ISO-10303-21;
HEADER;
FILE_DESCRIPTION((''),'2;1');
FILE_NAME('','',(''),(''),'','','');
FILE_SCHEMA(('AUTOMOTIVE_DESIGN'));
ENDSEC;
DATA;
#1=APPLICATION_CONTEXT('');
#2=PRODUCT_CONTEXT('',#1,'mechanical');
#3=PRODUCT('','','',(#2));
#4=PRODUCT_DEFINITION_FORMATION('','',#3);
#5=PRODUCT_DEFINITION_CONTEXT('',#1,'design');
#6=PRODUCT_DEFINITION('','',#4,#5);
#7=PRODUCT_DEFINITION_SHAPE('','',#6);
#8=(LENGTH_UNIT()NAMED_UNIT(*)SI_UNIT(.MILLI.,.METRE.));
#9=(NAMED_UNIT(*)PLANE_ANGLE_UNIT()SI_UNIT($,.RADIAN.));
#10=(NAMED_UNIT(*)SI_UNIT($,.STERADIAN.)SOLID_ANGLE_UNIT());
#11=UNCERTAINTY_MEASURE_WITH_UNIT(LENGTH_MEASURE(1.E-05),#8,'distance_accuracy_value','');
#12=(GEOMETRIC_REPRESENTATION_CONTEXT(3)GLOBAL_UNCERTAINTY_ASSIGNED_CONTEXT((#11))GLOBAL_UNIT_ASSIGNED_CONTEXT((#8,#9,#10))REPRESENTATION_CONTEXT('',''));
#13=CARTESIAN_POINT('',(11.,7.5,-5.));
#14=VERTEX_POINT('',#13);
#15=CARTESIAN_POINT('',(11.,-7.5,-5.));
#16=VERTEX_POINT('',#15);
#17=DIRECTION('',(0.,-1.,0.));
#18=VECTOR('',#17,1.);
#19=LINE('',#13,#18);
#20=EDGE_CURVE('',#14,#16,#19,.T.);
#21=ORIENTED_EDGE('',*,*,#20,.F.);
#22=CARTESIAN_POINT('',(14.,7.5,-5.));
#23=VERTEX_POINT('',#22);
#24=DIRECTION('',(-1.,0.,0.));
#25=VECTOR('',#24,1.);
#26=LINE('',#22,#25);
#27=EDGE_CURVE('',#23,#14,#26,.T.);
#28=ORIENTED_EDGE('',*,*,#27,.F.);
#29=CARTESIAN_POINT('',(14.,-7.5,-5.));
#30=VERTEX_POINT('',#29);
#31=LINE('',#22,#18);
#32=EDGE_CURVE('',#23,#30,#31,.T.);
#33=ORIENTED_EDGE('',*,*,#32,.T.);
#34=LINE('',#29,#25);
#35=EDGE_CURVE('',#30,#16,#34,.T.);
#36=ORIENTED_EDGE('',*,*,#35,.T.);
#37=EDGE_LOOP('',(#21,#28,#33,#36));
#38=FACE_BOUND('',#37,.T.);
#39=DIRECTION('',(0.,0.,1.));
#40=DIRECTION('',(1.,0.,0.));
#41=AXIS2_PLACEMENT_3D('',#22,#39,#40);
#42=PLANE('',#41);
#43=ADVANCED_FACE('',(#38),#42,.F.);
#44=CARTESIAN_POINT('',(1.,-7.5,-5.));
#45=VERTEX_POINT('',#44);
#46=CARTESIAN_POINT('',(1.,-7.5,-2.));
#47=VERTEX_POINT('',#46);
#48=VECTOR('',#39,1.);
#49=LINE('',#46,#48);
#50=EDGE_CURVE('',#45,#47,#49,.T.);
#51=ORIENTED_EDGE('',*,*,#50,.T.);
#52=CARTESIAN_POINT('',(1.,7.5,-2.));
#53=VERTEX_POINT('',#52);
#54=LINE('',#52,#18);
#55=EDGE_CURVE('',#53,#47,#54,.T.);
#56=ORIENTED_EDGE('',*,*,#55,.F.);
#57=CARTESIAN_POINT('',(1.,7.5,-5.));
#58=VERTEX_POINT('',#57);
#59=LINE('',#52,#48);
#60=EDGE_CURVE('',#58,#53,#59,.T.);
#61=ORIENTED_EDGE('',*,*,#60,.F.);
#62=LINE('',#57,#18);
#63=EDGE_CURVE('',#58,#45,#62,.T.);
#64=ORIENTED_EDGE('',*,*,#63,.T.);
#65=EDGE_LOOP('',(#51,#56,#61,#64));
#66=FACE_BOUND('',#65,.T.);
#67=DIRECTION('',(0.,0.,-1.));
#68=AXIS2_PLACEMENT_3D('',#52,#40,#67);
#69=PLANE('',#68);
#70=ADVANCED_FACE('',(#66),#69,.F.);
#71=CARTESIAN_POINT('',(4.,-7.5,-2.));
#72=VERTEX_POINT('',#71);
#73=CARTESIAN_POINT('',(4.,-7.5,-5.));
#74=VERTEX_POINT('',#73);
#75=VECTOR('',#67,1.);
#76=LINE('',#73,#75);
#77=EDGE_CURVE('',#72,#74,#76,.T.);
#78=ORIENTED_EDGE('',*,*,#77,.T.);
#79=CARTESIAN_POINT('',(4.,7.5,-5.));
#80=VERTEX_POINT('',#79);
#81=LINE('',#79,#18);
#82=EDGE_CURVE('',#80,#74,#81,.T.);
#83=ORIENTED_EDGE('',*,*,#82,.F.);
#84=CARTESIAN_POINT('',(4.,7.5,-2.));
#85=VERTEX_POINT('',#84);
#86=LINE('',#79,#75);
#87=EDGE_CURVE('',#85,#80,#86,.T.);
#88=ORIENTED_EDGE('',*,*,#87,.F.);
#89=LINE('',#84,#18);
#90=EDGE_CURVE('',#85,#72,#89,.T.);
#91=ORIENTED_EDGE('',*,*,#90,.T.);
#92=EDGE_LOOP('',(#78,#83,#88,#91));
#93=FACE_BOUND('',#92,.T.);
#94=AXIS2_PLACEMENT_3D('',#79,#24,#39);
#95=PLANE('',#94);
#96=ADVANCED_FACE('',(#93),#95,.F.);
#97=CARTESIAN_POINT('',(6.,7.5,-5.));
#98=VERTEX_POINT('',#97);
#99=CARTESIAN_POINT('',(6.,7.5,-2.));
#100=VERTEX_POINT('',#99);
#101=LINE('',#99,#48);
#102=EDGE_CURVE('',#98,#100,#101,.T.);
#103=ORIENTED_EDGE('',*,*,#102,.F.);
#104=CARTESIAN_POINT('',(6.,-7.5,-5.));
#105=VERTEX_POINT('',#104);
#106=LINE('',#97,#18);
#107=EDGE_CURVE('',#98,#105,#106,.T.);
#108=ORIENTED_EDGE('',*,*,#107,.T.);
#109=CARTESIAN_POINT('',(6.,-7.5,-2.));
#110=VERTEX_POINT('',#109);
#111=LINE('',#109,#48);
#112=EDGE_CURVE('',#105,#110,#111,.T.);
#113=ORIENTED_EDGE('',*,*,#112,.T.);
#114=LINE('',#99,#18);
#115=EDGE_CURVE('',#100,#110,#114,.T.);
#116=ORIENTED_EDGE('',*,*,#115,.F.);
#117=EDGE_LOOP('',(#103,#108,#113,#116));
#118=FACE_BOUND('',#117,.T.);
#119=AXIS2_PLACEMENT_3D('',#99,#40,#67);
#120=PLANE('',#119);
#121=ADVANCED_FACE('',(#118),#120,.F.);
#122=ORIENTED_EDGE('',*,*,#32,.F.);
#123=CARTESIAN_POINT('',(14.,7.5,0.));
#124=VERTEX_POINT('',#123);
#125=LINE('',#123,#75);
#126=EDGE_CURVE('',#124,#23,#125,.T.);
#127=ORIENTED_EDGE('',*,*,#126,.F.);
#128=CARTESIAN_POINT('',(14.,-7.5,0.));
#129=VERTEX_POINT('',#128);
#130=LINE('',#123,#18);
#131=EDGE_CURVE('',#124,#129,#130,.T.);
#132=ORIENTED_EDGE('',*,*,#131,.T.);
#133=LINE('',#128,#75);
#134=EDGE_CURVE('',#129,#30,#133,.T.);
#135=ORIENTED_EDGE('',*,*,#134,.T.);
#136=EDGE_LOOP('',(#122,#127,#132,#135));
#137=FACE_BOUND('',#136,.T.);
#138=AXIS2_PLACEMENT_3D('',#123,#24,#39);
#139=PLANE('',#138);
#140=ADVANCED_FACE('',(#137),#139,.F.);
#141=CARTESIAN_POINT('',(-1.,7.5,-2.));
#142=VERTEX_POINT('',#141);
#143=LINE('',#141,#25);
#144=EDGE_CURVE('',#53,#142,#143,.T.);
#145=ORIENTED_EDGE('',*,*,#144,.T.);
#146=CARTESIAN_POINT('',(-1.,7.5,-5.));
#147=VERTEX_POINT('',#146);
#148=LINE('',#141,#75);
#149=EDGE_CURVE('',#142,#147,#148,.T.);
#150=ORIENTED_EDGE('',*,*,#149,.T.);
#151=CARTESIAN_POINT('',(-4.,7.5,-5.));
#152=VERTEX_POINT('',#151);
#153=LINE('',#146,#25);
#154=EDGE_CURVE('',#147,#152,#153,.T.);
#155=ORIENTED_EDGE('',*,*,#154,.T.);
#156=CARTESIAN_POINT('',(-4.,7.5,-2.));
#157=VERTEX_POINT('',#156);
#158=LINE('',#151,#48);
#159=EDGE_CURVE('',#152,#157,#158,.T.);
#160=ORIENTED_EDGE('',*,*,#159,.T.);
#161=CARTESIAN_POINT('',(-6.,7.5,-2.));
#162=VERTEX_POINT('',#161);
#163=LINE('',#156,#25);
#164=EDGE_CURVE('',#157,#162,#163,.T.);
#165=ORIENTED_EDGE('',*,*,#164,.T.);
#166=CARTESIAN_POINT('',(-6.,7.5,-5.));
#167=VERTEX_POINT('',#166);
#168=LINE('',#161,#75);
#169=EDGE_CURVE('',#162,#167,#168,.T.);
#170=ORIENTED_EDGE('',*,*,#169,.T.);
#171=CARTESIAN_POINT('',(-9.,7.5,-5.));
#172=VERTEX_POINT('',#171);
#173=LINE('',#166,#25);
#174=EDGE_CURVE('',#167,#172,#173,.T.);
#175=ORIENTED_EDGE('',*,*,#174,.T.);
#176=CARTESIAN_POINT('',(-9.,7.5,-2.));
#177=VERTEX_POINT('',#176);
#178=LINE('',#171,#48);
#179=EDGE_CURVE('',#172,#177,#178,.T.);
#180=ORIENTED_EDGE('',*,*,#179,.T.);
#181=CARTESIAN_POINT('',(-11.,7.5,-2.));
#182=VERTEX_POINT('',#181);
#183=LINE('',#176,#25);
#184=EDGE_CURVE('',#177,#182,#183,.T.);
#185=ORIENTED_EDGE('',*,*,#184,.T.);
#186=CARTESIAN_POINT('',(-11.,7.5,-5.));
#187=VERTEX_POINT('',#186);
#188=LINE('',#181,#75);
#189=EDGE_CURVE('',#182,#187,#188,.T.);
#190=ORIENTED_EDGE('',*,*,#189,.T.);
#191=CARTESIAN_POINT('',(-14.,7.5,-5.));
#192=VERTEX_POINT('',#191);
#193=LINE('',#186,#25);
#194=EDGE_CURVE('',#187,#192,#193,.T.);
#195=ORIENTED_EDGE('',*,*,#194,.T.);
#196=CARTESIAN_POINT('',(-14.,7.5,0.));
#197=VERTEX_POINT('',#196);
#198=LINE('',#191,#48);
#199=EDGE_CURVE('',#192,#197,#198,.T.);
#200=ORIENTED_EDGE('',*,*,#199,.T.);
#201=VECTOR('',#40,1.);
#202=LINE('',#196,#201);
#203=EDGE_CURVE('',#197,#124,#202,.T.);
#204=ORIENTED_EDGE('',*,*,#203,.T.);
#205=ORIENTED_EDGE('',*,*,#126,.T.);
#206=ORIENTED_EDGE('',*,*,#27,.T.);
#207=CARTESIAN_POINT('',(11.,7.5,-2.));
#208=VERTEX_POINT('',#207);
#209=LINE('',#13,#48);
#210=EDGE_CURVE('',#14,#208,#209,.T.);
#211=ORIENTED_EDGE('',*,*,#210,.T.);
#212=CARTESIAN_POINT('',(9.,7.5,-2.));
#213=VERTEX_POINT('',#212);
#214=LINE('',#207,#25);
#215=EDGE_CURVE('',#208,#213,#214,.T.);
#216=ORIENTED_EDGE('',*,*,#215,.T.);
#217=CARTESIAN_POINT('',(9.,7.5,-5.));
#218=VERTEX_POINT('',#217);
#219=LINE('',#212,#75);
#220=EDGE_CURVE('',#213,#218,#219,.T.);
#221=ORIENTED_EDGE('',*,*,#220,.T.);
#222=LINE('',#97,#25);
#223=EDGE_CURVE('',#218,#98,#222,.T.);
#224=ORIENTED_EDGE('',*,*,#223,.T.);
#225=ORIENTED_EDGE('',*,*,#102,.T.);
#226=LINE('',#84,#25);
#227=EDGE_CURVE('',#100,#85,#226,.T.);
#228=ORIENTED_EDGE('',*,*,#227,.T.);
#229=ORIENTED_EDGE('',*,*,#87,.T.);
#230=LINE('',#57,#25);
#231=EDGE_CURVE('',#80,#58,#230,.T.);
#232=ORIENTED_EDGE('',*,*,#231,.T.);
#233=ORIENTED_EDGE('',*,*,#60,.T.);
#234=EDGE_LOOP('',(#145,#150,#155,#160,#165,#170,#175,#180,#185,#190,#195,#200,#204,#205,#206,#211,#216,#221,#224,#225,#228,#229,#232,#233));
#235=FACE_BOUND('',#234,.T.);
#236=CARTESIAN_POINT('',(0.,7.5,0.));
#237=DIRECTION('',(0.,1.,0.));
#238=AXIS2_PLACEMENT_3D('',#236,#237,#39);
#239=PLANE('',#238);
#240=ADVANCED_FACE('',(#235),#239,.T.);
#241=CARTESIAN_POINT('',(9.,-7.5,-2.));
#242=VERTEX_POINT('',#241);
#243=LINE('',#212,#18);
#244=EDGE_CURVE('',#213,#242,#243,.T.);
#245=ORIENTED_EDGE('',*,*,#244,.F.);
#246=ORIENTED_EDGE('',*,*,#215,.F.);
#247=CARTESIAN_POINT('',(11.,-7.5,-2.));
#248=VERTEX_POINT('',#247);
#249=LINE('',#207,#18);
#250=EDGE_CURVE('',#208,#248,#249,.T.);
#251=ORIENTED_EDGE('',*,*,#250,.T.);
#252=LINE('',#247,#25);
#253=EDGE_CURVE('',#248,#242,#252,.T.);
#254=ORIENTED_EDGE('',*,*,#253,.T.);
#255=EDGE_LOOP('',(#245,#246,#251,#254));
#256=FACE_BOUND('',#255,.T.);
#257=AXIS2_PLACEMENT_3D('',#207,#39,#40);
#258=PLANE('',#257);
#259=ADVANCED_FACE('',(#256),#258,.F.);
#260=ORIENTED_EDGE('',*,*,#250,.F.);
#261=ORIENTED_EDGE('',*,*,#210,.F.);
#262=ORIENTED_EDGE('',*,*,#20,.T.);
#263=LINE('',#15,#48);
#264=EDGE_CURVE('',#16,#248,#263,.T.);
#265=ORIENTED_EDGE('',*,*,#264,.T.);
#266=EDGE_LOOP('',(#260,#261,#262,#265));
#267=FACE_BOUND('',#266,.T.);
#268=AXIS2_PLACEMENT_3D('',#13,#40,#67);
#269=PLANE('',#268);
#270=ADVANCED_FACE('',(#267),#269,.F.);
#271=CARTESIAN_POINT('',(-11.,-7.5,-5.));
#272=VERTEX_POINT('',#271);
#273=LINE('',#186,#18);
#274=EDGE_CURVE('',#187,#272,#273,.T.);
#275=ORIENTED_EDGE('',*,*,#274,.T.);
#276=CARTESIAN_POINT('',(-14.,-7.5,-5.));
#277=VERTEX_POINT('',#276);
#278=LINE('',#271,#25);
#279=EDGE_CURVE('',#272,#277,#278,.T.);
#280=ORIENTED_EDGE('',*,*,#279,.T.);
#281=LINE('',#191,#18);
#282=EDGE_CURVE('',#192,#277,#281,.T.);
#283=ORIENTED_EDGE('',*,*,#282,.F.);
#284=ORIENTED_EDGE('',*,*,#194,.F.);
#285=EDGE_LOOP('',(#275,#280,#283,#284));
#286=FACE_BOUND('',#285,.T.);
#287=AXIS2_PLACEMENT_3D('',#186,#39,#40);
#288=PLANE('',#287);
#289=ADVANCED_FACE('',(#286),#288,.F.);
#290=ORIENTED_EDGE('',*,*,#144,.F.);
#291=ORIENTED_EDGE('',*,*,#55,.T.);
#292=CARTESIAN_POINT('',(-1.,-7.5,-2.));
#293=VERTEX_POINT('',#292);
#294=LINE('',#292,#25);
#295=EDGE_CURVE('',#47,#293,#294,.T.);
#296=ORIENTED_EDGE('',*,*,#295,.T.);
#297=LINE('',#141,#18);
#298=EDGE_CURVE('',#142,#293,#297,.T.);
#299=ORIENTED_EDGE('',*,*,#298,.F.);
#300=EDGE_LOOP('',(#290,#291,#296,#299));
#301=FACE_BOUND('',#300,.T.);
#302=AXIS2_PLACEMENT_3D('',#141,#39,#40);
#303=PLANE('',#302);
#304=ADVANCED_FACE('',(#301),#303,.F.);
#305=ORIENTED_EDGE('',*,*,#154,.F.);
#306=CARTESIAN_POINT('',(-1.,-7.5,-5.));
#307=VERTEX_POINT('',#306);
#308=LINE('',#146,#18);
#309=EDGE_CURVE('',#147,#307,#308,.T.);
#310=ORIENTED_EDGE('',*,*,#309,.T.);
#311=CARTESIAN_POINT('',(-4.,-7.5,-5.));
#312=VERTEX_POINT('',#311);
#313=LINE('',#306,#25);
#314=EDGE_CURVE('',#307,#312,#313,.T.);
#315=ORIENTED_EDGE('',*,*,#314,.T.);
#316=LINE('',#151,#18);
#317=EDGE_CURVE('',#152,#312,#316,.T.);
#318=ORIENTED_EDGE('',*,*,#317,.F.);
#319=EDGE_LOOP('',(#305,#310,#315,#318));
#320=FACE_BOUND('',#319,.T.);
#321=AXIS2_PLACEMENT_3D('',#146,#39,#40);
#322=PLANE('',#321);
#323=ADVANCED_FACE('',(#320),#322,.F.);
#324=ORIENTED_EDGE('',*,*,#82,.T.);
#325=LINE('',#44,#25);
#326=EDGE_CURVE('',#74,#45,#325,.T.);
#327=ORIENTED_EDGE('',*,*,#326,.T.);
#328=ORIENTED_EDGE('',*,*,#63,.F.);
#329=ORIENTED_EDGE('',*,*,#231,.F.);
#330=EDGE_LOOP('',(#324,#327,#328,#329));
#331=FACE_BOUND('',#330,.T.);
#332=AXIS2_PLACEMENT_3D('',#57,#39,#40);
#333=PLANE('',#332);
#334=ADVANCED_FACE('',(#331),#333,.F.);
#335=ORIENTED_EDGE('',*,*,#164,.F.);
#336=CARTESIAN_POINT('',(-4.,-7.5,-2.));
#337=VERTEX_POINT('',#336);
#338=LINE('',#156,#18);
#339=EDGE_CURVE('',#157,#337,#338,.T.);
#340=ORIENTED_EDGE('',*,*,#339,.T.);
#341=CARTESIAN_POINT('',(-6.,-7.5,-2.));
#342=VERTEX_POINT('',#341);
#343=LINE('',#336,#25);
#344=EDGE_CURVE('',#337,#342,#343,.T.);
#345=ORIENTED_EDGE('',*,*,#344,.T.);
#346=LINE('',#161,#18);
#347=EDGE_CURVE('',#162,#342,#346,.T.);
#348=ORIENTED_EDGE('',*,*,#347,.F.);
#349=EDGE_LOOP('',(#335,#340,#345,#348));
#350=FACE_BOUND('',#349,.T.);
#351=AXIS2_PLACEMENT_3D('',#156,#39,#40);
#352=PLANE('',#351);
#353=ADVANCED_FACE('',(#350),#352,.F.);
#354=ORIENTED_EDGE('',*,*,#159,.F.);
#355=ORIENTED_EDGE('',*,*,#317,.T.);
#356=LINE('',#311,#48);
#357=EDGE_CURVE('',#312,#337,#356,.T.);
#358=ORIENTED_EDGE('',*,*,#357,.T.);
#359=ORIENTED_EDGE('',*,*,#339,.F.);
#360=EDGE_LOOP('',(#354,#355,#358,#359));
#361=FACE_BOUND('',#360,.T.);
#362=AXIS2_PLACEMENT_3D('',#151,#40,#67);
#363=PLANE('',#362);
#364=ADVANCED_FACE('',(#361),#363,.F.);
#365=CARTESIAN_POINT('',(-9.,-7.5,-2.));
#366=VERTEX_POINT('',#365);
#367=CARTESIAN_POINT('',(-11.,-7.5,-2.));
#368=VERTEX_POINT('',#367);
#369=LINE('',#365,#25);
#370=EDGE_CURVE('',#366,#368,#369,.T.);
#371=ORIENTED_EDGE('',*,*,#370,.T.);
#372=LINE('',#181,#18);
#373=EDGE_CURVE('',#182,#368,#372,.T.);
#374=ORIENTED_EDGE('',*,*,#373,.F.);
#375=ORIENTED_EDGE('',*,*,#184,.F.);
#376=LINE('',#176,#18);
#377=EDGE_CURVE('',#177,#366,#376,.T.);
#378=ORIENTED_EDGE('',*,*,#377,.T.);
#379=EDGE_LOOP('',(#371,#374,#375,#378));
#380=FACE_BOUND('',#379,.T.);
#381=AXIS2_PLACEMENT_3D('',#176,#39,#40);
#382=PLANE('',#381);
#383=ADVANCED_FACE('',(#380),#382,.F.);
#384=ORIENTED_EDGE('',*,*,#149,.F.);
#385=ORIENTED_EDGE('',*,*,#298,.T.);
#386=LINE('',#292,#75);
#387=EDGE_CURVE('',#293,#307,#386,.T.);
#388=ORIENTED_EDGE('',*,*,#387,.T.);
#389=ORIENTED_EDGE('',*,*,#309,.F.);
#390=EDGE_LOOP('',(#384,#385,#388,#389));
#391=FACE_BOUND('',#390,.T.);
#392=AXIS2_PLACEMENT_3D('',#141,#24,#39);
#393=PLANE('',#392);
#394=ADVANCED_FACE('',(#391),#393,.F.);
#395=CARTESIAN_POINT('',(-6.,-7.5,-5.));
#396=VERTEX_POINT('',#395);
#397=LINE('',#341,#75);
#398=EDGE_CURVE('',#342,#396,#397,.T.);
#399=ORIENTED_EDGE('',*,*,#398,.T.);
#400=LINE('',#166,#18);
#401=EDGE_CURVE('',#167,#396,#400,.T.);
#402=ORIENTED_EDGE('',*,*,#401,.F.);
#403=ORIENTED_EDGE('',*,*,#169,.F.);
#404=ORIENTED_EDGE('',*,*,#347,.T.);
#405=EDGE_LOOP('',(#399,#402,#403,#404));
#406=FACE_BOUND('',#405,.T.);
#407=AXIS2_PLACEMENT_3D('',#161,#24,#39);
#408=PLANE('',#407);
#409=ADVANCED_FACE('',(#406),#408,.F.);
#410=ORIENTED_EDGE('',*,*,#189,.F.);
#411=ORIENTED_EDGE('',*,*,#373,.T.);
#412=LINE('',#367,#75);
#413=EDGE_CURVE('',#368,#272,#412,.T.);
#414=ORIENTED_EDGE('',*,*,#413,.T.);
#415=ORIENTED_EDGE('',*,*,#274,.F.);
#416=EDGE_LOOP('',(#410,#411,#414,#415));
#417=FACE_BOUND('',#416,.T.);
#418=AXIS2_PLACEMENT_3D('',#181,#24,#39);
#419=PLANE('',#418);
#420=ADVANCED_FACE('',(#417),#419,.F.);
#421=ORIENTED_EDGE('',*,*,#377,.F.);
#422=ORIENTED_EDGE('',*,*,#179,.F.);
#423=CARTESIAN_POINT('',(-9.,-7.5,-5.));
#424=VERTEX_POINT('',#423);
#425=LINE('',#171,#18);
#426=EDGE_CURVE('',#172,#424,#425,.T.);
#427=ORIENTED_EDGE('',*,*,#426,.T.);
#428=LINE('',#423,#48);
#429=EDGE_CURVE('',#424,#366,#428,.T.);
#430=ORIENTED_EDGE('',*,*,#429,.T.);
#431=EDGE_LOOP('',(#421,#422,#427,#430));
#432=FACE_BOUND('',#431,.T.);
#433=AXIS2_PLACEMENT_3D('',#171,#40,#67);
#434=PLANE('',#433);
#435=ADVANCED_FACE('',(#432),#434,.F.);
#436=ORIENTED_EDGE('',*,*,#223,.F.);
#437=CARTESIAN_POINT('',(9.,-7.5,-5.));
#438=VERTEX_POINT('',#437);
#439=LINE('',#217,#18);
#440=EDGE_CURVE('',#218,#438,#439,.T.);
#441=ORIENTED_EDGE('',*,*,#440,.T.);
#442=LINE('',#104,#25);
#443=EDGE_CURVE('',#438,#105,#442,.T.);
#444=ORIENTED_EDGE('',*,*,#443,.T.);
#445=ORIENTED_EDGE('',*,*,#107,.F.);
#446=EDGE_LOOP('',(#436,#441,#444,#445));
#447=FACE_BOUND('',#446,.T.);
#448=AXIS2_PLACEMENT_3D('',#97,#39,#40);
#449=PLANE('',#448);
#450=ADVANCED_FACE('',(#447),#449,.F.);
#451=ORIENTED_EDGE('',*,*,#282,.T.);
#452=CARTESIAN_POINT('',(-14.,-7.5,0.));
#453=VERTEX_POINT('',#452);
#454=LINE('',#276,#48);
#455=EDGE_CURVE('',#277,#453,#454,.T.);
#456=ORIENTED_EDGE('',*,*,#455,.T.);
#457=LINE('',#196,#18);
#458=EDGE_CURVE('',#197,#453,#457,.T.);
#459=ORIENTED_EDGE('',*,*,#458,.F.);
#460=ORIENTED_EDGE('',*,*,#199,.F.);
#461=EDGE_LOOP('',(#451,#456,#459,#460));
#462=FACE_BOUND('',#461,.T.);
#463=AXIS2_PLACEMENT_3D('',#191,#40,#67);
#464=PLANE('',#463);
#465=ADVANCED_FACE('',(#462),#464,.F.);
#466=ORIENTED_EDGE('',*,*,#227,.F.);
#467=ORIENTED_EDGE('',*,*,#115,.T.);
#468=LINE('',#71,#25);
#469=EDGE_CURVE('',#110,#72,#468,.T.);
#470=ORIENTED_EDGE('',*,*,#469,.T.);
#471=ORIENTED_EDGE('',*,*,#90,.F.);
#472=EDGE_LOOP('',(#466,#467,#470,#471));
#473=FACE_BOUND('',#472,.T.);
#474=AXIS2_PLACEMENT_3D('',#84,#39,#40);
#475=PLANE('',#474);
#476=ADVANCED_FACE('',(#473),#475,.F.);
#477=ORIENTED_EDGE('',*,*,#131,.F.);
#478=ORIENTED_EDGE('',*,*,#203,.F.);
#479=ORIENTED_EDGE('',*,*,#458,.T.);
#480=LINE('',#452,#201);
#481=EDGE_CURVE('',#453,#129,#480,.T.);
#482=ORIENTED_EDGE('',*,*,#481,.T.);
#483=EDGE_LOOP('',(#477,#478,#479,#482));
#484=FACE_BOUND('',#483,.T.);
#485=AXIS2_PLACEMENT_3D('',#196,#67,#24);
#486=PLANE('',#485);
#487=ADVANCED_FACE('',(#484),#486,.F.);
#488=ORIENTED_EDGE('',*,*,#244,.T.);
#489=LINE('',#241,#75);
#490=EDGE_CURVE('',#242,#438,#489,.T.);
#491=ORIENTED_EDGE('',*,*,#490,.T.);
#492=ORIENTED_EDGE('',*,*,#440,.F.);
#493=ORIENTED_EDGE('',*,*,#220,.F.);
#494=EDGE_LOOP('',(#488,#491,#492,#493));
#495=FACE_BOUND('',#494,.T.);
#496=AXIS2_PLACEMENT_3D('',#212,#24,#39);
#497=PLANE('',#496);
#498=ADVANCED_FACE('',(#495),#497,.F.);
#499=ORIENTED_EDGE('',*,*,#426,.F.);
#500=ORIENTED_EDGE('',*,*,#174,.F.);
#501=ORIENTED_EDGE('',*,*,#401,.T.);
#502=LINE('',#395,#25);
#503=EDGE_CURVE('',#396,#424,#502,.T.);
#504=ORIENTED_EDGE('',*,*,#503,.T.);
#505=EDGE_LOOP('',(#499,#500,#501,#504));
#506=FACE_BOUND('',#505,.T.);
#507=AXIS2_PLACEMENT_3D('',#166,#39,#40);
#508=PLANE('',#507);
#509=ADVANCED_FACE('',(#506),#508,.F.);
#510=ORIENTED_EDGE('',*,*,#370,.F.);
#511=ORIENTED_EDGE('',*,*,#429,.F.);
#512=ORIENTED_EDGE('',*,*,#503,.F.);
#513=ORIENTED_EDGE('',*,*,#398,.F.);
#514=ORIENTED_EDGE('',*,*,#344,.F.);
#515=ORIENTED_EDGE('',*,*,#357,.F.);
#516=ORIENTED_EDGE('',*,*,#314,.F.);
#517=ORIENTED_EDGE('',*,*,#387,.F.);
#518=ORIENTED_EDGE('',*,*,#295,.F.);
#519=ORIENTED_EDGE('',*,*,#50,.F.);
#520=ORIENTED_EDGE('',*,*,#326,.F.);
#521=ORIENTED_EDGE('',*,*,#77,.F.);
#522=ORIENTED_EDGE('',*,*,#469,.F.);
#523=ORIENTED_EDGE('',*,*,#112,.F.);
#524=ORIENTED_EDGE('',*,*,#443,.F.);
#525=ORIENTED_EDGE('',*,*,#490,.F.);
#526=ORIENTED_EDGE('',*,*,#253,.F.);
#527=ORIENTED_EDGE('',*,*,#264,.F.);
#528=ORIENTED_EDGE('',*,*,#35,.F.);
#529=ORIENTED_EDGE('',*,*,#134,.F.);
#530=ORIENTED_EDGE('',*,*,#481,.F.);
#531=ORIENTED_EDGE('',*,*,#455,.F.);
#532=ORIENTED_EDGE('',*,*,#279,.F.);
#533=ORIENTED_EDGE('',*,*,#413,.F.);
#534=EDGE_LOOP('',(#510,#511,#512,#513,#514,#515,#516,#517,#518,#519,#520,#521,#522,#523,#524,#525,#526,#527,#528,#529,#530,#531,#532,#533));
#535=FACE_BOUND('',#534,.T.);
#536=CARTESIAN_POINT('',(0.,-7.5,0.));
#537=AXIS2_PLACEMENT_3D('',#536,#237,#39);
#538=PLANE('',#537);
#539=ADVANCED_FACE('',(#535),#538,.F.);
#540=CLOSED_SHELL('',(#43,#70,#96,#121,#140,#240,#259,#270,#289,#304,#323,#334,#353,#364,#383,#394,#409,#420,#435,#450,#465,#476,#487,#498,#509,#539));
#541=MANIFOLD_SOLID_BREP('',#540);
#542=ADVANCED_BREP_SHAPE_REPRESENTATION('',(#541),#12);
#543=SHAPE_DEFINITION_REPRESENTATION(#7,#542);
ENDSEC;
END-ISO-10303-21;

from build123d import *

# Parameters (mm, degrees)
BOSS_EXTRUDE4_DEPTH = 7.5


with BuildPart() as part:
    # Sketch3 → Boss-Extrude4 (new, symmetric)
    with BuildSketch(Plane(origin=(0, 0, 0), x_dir=(1, 0, 0), z_dir=(0, 1, 0))):
        Polygon((-14, 0), (14, 0), (14, 5), (11, 5), (11, 2), (9, 2), (9, 5), (6, 5), (6, 2), (4, 2), (4, 5), (1, 5), (1, 2), (-1, 2), (-1, 5), (-4, 5), (-4, 2), (-6, 2), (-6, 5), (-9, 5), (-9, 2), (-11, 2), (-11, 5), (-14, 5), align=None)
    extrude(amount=BOSS_EXTRUDE4_DEPTH, both=True)


solid = part.part
